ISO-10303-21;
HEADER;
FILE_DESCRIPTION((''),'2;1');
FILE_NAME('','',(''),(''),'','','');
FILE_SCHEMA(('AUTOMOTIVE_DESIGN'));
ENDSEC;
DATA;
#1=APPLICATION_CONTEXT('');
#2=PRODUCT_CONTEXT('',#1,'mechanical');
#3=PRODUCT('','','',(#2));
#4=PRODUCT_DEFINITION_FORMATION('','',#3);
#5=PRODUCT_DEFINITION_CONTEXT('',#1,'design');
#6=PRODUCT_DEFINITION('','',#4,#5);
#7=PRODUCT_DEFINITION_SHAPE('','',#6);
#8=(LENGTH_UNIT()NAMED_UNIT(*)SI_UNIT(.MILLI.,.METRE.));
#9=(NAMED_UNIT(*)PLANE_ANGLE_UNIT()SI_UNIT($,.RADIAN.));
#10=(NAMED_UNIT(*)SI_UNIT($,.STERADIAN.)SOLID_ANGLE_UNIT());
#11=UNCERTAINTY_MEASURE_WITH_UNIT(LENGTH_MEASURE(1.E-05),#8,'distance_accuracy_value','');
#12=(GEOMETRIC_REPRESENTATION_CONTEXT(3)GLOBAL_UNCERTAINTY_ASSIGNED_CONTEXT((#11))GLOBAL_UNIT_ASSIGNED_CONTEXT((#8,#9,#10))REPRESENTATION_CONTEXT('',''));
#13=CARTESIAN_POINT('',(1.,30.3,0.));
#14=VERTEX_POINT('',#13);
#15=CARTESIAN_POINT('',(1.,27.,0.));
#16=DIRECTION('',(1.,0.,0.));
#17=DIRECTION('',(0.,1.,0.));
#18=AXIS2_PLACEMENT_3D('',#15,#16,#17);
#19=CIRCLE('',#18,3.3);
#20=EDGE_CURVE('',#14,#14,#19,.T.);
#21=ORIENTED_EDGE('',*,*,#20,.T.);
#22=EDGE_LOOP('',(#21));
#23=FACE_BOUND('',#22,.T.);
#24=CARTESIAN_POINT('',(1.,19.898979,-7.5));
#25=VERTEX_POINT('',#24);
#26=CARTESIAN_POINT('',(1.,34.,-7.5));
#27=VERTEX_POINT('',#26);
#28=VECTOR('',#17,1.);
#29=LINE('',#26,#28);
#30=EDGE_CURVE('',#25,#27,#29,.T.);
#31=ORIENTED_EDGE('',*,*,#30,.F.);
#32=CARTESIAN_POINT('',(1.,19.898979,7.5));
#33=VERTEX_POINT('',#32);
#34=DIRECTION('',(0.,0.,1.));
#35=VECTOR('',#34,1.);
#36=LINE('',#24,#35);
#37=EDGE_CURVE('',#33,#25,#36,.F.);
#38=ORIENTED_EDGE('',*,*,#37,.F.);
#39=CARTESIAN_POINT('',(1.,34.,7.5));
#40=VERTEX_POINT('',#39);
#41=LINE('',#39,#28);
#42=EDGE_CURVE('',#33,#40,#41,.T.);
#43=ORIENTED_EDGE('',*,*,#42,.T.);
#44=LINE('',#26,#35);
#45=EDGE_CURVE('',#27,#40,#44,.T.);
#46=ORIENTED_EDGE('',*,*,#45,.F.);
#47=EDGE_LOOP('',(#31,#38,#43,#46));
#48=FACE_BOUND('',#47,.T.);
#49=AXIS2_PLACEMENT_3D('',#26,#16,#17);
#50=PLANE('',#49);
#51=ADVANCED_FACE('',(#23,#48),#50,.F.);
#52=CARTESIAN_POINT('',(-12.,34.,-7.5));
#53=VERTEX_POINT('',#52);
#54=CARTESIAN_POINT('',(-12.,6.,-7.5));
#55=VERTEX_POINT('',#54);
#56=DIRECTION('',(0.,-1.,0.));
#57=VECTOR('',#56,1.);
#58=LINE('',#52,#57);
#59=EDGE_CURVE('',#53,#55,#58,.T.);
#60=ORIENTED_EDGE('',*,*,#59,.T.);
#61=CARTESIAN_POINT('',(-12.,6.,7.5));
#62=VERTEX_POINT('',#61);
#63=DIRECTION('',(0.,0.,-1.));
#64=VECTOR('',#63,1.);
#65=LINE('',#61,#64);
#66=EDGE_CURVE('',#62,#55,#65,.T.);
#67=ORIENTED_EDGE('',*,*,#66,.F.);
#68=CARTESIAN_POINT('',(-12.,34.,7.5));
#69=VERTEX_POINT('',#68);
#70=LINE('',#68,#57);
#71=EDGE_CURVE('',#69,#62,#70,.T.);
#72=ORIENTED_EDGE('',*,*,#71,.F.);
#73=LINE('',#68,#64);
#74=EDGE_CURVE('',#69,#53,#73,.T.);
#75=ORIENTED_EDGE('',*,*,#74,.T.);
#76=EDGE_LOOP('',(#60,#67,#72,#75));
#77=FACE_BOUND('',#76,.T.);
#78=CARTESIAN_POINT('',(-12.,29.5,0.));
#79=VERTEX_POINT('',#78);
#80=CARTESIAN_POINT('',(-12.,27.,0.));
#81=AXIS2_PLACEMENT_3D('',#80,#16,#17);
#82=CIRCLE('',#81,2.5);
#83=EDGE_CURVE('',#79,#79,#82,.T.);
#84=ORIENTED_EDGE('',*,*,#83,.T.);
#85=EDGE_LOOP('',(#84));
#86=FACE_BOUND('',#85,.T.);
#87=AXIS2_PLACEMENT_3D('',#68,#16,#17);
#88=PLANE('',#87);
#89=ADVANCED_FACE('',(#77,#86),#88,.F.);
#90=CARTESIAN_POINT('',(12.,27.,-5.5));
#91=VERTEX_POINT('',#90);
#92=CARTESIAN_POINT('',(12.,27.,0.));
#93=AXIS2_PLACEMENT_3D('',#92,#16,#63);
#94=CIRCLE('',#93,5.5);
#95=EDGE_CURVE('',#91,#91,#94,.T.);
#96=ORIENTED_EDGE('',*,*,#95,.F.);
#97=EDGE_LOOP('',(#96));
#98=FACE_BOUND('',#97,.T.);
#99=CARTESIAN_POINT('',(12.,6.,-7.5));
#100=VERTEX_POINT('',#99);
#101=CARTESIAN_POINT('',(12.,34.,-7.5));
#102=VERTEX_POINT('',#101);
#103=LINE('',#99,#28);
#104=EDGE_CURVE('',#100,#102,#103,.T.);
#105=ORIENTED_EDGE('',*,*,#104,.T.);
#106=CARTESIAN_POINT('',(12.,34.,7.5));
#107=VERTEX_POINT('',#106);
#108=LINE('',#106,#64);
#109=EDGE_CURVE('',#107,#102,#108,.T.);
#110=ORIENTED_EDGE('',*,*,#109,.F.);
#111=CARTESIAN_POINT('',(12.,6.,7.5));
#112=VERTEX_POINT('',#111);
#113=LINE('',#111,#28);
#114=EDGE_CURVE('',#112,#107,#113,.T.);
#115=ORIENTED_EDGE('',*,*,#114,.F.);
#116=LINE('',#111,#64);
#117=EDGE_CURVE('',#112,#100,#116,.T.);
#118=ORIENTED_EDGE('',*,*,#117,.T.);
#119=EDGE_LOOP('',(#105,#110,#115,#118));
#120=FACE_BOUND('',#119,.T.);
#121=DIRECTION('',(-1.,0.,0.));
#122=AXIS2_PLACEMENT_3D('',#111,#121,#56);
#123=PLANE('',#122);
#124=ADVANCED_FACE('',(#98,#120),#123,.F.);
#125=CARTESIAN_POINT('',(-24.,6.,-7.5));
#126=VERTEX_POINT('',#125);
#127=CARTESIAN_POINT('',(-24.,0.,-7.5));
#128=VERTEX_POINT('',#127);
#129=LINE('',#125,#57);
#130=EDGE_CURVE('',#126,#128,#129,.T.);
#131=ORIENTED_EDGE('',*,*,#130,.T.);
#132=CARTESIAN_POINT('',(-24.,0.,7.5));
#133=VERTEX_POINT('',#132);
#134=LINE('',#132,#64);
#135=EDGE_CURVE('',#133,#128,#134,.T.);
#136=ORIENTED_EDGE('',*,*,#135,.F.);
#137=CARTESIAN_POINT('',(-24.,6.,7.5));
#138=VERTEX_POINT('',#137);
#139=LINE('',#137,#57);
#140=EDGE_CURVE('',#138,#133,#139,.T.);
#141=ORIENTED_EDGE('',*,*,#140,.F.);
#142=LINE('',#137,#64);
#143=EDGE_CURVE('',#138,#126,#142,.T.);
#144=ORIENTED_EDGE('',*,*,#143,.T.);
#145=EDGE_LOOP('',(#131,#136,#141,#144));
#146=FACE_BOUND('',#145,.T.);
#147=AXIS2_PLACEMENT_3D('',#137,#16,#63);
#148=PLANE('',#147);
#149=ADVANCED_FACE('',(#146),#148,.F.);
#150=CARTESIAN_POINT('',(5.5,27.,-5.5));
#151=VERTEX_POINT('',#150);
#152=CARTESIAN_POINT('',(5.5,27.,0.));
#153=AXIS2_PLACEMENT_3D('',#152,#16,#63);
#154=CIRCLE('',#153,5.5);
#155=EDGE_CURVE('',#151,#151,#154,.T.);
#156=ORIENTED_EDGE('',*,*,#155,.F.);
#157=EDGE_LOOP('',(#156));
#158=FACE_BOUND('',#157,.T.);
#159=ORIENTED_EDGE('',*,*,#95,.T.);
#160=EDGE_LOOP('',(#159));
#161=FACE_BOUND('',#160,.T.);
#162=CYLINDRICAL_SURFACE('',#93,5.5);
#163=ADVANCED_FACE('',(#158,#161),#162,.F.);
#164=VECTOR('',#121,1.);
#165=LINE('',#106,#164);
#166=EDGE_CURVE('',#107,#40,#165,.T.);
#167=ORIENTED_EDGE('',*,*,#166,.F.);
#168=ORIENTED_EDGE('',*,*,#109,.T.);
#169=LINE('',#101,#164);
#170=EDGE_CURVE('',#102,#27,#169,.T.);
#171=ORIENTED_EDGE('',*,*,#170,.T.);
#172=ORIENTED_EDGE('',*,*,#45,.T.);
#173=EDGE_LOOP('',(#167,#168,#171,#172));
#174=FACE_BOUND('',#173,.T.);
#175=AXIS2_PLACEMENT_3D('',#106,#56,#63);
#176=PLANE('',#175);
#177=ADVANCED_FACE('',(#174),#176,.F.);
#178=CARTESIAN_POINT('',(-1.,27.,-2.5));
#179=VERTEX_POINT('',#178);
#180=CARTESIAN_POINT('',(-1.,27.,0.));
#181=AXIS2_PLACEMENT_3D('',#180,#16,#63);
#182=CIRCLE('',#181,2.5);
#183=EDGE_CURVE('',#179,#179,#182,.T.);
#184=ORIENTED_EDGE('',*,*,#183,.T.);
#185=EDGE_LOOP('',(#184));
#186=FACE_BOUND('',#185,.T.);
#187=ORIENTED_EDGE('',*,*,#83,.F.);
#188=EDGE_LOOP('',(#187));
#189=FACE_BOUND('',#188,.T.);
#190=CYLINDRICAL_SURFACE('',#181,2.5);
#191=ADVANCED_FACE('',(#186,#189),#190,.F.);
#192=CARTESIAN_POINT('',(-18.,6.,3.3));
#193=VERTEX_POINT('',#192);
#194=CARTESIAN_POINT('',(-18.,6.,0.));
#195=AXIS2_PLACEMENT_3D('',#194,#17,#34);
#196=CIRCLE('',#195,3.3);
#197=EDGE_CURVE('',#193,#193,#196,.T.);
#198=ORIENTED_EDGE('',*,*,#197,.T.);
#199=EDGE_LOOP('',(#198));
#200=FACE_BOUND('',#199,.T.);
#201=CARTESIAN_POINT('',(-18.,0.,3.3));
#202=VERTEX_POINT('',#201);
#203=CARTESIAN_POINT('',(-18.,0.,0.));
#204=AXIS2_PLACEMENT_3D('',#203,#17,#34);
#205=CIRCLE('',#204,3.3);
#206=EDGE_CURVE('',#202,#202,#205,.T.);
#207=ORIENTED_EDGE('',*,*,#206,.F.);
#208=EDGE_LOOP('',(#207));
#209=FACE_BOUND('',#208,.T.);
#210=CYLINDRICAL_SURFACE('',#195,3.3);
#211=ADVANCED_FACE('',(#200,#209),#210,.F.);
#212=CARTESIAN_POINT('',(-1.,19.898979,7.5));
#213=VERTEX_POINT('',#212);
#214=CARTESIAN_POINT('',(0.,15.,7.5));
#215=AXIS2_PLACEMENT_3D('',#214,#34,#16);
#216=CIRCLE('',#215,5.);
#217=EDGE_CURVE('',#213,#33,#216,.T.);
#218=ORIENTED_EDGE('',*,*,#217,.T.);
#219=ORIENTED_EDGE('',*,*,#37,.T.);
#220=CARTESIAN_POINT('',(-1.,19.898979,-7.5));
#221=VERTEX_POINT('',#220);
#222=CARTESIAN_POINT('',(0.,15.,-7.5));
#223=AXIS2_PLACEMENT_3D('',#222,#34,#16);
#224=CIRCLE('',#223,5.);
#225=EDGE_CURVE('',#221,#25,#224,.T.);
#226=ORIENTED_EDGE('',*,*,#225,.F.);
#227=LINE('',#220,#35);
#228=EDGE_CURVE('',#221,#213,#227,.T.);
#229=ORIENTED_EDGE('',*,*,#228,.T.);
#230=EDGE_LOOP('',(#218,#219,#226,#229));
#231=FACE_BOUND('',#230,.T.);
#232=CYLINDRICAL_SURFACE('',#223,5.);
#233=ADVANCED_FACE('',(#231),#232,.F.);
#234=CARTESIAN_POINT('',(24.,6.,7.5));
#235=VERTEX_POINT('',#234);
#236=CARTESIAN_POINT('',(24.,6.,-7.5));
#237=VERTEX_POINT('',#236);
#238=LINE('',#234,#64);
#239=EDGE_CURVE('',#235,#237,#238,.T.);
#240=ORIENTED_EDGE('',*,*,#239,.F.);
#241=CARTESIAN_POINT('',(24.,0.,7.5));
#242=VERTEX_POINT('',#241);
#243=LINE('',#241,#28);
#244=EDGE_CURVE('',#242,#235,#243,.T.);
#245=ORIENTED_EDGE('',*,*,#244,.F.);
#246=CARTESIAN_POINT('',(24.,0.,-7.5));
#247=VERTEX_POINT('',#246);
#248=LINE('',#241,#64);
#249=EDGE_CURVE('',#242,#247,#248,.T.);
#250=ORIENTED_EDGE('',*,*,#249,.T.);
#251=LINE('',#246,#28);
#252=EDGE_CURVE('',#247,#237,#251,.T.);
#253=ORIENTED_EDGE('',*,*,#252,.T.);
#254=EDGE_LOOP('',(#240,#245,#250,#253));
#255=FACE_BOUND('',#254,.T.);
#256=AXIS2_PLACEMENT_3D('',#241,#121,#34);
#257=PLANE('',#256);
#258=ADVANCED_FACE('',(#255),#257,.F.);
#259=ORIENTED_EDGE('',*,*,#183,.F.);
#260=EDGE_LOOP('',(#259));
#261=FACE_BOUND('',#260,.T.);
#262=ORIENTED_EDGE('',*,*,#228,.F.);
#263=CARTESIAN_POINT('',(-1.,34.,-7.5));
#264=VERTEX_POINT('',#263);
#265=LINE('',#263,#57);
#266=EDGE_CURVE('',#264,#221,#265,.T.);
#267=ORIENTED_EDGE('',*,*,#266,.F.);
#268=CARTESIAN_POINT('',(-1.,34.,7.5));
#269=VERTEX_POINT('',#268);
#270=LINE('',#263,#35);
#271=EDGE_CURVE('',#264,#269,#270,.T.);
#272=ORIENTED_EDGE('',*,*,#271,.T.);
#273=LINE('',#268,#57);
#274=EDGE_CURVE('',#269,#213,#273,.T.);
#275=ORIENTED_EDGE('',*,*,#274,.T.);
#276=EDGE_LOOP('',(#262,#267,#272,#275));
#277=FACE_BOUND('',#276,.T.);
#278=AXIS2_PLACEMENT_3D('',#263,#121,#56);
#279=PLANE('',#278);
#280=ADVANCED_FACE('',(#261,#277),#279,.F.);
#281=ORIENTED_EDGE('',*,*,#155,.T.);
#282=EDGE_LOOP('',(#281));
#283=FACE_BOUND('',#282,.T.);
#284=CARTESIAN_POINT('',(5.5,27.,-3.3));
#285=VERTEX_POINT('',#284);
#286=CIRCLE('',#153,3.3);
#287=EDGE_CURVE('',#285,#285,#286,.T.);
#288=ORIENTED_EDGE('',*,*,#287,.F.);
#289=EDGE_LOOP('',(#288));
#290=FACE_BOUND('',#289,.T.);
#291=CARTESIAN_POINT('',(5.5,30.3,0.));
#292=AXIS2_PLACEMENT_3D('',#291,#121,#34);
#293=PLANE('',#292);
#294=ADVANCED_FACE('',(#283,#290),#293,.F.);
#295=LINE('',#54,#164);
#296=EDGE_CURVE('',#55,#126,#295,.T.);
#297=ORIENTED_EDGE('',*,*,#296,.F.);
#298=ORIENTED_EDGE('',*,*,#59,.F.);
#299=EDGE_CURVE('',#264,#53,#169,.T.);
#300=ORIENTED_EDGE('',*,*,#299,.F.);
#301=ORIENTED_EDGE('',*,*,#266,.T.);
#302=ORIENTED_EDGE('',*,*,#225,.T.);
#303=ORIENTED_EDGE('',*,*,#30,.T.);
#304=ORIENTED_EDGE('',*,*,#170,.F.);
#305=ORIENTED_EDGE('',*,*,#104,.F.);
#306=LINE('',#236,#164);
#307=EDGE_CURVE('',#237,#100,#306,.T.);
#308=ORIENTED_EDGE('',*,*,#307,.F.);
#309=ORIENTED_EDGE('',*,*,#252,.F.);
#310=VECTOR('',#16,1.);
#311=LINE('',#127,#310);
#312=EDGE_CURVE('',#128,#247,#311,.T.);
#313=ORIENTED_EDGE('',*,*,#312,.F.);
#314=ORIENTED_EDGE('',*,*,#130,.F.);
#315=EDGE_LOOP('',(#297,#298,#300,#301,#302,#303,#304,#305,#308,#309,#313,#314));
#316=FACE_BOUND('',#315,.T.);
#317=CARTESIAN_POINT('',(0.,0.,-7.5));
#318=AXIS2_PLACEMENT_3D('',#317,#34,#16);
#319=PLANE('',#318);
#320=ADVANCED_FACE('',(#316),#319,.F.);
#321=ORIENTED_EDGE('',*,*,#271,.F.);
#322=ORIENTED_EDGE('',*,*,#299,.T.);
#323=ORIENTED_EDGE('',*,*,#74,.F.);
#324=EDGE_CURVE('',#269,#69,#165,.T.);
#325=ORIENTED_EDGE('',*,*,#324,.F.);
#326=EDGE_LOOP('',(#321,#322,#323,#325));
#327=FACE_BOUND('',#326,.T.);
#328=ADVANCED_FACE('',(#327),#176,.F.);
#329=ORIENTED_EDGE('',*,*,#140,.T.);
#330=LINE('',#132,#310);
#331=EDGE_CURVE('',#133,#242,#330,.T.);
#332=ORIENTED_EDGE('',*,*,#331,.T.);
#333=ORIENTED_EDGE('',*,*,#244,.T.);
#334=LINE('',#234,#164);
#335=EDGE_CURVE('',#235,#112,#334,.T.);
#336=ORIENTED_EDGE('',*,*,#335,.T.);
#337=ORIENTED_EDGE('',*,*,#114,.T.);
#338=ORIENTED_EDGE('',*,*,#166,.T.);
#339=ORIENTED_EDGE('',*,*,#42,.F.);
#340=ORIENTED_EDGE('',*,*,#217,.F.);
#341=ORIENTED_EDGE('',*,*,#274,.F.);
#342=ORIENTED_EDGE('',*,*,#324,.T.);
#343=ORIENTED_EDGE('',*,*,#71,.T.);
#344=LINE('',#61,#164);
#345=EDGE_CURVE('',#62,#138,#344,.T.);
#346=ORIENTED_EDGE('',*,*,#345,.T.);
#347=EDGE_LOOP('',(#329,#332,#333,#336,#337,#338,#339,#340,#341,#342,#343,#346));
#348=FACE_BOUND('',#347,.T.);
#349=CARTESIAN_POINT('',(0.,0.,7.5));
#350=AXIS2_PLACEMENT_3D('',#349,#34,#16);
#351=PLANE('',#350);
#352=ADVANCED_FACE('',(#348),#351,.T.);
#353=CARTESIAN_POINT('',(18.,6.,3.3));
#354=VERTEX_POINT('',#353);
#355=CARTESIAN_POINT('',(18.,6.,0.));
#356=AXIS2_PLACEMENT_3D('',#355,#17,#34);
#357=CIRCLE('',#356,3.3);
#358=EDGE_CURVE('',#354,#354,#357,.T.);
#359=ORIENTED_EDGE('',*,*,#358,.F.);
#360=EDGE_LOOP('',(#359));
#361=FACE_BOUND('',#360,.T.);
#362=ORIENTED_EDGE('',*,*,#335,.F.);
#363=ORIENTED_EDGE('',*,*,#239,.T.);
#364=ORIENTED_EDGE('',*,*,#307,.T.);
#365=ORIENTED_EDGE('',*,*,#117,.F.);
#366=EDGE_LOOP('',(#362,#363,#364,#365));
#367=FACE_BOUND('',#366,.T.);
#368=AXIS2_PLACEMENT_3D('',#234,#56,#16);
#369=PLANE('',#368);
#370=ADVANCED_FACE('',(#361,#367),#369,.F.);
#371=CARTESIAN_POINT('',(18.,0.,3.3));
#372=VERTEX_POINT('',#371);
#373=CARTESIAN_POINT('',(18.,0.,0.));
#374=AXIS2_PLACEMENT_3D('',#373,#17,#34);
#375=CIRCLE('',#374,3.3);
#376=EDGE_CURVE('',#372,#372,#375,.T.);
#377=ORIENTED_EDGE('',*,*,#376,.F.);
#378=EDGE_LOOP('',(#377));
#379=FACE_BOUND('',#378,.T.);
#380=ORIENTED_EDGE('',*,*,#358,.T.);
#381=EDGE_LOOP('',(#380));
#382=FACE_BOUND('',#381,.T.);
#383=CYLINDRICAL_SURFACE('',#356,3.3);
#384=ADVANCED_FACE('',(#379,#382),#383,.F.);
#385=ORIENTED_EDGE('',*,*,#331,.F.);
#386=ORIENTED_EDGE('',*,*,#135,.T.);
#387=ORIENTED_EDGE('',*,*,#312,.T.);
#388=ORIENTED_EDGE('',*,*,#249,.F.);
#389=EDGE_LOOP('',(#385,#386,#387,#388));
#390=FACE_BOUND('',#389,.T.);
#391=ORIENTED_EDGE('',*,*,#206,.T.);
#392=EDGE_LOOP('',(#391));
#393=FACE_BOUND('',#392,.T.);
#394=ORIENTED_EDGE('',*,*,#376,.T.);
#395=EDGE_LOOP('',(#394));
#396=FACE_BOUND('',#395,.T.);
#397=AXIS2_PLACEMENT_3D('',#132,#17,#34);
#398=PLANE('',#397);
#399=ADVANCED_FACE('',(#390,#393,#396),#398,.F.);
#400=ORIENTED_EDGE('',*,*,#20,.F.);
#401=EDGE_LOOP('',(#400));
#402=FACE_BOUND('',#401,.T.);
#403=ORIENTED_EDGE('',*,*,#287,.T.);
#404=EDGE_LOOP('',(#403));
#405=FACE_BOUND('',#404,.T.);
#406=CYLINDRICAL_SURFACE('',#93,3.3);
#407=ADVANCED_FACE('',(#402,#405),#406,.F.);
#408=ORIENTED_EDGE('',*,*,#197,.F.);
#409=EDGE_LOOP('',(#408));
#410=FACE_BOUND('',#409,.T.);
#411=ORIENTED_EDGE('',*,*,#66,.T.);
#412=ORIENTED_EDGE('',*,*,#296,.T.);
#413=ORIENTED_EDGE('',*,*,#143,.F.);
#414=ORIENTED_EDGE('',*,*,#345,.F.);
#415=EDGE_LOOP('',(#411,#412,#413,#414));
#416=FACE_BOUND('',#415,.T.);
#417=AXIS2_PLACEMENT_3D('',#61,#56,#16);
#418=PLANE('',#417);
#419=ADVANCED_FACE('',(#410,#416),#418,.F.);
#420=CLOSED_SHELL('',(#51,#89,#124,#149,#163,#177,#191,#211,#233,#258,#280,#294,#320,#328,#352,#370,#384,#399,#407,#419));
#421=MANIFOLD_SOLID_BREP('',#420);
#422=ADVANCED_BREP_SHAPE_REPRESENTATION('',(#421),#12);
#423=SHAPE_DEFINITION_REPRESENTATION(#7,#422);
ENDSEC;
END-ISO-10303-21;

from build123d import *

# Parameters (mm, degrees)
BOSS_EXTRUDE1_DEPTH                          = 7.5
SKETCH2_R                                    = 5
CUT_EXTRUDE1_DEPTH                           = 45.237992721
SKETCH3_W                                    = 2
SKETCH3_H                                    = 19
CUT_EXTRUDE2_DEPTH                           = 45.237992721
CBORE_FOR_SOCKET_HEAD_CAP_SCREW1_D           = 6.6
CBORE_FOR_SOCKET_HEAD_CAP_SCREW1_DEPTH       = 11
CBORE_FOR_SOCKET_HEAD_CAP_SCREW1_CBORE_D     = 11
CBORE_FOR_SOCKET_HEAD_CAP_SCREW1_CBORE_DEPTH = 6.5
TAPPED_HOLE1_D                               = 5
DIAMETER_HOLE1_D                             = 6.6


with BuildPart() as part:
    # Sketch1 → Boss-Extrude1 (new, symmetric)
    with BuildSketch(Plane.XY):
        Polygon((-24, 0), (24, 0), (24, 6), (12, 6), (12, 34), (-12, 34), (-12, 6), (-24, 6), align=None)
    extrude(amount=BOSS_EXTRUDE1_DEPTH, both=True)

    # Sketch2 → Cut-Extrude1 (cut, through all)
    with BuildSketch(Plane.XY.offset(7.5)):
        with Locations((0, 15)):
            Circle(SKETCH2_R)
    extrude(amount=-CUT_EXTRUDE1_DEPTH, mode=Mode.SUBTRACT)

    # Sketch3 → Cut-Extrude2 (cut, through all)
    with BuildSketch(Plane.XY.offset(7.5)):
        with Locations((0, 24.5)):
            Rectangle(SKETCH3_W, SKETCH3_H)
    extrude(amount=-CUT_EXTRUDE2_DEPTH, mode=Mode.SUBTRACT)

    # CBORE for Socket Head Cap Screw1
    with Locations(Plane(origin=(12, 0, 0), x_dir=(0, 0, -1), z_dir=(1, 0, 0))):
        with Locations((0, 27)):
            CounterBoreHole(CBORE_FOR_SOCKET_HEAD_CAP_SCREW1_D / 2, CBORE_FOR_SOCKET_HEAD_CAP_SCREW1_CBORE_D / 2, CBORE_FOR_SOCKET_HEAD_CAP_SCREW1_CBORE_DEPTH, depth=CBORE_FOR_SOCKET_HEAD_CAP_SCREW1_DEPTH)

    # Tapped Hole1 (through all)
    with Locations(Plane(origin=(-1, 0, 0), x_dir=(0, 0, -1), z_dir=(1, 0, 0))):
        with Locations((0, 27)):
            Hole(TAPPED_HOLE1_D / 2)

    # Diameter Hole1 (through all)
    with Locations(Plane(origin=(0, 6, 0), x_dir=(1, 0, 0), z_dir=(0, 1, 0))):
        with Locations((18, 0), (-18, 0)):
            Hole(DIAMETER_HOLE1_D / 2)


solid = part.part
